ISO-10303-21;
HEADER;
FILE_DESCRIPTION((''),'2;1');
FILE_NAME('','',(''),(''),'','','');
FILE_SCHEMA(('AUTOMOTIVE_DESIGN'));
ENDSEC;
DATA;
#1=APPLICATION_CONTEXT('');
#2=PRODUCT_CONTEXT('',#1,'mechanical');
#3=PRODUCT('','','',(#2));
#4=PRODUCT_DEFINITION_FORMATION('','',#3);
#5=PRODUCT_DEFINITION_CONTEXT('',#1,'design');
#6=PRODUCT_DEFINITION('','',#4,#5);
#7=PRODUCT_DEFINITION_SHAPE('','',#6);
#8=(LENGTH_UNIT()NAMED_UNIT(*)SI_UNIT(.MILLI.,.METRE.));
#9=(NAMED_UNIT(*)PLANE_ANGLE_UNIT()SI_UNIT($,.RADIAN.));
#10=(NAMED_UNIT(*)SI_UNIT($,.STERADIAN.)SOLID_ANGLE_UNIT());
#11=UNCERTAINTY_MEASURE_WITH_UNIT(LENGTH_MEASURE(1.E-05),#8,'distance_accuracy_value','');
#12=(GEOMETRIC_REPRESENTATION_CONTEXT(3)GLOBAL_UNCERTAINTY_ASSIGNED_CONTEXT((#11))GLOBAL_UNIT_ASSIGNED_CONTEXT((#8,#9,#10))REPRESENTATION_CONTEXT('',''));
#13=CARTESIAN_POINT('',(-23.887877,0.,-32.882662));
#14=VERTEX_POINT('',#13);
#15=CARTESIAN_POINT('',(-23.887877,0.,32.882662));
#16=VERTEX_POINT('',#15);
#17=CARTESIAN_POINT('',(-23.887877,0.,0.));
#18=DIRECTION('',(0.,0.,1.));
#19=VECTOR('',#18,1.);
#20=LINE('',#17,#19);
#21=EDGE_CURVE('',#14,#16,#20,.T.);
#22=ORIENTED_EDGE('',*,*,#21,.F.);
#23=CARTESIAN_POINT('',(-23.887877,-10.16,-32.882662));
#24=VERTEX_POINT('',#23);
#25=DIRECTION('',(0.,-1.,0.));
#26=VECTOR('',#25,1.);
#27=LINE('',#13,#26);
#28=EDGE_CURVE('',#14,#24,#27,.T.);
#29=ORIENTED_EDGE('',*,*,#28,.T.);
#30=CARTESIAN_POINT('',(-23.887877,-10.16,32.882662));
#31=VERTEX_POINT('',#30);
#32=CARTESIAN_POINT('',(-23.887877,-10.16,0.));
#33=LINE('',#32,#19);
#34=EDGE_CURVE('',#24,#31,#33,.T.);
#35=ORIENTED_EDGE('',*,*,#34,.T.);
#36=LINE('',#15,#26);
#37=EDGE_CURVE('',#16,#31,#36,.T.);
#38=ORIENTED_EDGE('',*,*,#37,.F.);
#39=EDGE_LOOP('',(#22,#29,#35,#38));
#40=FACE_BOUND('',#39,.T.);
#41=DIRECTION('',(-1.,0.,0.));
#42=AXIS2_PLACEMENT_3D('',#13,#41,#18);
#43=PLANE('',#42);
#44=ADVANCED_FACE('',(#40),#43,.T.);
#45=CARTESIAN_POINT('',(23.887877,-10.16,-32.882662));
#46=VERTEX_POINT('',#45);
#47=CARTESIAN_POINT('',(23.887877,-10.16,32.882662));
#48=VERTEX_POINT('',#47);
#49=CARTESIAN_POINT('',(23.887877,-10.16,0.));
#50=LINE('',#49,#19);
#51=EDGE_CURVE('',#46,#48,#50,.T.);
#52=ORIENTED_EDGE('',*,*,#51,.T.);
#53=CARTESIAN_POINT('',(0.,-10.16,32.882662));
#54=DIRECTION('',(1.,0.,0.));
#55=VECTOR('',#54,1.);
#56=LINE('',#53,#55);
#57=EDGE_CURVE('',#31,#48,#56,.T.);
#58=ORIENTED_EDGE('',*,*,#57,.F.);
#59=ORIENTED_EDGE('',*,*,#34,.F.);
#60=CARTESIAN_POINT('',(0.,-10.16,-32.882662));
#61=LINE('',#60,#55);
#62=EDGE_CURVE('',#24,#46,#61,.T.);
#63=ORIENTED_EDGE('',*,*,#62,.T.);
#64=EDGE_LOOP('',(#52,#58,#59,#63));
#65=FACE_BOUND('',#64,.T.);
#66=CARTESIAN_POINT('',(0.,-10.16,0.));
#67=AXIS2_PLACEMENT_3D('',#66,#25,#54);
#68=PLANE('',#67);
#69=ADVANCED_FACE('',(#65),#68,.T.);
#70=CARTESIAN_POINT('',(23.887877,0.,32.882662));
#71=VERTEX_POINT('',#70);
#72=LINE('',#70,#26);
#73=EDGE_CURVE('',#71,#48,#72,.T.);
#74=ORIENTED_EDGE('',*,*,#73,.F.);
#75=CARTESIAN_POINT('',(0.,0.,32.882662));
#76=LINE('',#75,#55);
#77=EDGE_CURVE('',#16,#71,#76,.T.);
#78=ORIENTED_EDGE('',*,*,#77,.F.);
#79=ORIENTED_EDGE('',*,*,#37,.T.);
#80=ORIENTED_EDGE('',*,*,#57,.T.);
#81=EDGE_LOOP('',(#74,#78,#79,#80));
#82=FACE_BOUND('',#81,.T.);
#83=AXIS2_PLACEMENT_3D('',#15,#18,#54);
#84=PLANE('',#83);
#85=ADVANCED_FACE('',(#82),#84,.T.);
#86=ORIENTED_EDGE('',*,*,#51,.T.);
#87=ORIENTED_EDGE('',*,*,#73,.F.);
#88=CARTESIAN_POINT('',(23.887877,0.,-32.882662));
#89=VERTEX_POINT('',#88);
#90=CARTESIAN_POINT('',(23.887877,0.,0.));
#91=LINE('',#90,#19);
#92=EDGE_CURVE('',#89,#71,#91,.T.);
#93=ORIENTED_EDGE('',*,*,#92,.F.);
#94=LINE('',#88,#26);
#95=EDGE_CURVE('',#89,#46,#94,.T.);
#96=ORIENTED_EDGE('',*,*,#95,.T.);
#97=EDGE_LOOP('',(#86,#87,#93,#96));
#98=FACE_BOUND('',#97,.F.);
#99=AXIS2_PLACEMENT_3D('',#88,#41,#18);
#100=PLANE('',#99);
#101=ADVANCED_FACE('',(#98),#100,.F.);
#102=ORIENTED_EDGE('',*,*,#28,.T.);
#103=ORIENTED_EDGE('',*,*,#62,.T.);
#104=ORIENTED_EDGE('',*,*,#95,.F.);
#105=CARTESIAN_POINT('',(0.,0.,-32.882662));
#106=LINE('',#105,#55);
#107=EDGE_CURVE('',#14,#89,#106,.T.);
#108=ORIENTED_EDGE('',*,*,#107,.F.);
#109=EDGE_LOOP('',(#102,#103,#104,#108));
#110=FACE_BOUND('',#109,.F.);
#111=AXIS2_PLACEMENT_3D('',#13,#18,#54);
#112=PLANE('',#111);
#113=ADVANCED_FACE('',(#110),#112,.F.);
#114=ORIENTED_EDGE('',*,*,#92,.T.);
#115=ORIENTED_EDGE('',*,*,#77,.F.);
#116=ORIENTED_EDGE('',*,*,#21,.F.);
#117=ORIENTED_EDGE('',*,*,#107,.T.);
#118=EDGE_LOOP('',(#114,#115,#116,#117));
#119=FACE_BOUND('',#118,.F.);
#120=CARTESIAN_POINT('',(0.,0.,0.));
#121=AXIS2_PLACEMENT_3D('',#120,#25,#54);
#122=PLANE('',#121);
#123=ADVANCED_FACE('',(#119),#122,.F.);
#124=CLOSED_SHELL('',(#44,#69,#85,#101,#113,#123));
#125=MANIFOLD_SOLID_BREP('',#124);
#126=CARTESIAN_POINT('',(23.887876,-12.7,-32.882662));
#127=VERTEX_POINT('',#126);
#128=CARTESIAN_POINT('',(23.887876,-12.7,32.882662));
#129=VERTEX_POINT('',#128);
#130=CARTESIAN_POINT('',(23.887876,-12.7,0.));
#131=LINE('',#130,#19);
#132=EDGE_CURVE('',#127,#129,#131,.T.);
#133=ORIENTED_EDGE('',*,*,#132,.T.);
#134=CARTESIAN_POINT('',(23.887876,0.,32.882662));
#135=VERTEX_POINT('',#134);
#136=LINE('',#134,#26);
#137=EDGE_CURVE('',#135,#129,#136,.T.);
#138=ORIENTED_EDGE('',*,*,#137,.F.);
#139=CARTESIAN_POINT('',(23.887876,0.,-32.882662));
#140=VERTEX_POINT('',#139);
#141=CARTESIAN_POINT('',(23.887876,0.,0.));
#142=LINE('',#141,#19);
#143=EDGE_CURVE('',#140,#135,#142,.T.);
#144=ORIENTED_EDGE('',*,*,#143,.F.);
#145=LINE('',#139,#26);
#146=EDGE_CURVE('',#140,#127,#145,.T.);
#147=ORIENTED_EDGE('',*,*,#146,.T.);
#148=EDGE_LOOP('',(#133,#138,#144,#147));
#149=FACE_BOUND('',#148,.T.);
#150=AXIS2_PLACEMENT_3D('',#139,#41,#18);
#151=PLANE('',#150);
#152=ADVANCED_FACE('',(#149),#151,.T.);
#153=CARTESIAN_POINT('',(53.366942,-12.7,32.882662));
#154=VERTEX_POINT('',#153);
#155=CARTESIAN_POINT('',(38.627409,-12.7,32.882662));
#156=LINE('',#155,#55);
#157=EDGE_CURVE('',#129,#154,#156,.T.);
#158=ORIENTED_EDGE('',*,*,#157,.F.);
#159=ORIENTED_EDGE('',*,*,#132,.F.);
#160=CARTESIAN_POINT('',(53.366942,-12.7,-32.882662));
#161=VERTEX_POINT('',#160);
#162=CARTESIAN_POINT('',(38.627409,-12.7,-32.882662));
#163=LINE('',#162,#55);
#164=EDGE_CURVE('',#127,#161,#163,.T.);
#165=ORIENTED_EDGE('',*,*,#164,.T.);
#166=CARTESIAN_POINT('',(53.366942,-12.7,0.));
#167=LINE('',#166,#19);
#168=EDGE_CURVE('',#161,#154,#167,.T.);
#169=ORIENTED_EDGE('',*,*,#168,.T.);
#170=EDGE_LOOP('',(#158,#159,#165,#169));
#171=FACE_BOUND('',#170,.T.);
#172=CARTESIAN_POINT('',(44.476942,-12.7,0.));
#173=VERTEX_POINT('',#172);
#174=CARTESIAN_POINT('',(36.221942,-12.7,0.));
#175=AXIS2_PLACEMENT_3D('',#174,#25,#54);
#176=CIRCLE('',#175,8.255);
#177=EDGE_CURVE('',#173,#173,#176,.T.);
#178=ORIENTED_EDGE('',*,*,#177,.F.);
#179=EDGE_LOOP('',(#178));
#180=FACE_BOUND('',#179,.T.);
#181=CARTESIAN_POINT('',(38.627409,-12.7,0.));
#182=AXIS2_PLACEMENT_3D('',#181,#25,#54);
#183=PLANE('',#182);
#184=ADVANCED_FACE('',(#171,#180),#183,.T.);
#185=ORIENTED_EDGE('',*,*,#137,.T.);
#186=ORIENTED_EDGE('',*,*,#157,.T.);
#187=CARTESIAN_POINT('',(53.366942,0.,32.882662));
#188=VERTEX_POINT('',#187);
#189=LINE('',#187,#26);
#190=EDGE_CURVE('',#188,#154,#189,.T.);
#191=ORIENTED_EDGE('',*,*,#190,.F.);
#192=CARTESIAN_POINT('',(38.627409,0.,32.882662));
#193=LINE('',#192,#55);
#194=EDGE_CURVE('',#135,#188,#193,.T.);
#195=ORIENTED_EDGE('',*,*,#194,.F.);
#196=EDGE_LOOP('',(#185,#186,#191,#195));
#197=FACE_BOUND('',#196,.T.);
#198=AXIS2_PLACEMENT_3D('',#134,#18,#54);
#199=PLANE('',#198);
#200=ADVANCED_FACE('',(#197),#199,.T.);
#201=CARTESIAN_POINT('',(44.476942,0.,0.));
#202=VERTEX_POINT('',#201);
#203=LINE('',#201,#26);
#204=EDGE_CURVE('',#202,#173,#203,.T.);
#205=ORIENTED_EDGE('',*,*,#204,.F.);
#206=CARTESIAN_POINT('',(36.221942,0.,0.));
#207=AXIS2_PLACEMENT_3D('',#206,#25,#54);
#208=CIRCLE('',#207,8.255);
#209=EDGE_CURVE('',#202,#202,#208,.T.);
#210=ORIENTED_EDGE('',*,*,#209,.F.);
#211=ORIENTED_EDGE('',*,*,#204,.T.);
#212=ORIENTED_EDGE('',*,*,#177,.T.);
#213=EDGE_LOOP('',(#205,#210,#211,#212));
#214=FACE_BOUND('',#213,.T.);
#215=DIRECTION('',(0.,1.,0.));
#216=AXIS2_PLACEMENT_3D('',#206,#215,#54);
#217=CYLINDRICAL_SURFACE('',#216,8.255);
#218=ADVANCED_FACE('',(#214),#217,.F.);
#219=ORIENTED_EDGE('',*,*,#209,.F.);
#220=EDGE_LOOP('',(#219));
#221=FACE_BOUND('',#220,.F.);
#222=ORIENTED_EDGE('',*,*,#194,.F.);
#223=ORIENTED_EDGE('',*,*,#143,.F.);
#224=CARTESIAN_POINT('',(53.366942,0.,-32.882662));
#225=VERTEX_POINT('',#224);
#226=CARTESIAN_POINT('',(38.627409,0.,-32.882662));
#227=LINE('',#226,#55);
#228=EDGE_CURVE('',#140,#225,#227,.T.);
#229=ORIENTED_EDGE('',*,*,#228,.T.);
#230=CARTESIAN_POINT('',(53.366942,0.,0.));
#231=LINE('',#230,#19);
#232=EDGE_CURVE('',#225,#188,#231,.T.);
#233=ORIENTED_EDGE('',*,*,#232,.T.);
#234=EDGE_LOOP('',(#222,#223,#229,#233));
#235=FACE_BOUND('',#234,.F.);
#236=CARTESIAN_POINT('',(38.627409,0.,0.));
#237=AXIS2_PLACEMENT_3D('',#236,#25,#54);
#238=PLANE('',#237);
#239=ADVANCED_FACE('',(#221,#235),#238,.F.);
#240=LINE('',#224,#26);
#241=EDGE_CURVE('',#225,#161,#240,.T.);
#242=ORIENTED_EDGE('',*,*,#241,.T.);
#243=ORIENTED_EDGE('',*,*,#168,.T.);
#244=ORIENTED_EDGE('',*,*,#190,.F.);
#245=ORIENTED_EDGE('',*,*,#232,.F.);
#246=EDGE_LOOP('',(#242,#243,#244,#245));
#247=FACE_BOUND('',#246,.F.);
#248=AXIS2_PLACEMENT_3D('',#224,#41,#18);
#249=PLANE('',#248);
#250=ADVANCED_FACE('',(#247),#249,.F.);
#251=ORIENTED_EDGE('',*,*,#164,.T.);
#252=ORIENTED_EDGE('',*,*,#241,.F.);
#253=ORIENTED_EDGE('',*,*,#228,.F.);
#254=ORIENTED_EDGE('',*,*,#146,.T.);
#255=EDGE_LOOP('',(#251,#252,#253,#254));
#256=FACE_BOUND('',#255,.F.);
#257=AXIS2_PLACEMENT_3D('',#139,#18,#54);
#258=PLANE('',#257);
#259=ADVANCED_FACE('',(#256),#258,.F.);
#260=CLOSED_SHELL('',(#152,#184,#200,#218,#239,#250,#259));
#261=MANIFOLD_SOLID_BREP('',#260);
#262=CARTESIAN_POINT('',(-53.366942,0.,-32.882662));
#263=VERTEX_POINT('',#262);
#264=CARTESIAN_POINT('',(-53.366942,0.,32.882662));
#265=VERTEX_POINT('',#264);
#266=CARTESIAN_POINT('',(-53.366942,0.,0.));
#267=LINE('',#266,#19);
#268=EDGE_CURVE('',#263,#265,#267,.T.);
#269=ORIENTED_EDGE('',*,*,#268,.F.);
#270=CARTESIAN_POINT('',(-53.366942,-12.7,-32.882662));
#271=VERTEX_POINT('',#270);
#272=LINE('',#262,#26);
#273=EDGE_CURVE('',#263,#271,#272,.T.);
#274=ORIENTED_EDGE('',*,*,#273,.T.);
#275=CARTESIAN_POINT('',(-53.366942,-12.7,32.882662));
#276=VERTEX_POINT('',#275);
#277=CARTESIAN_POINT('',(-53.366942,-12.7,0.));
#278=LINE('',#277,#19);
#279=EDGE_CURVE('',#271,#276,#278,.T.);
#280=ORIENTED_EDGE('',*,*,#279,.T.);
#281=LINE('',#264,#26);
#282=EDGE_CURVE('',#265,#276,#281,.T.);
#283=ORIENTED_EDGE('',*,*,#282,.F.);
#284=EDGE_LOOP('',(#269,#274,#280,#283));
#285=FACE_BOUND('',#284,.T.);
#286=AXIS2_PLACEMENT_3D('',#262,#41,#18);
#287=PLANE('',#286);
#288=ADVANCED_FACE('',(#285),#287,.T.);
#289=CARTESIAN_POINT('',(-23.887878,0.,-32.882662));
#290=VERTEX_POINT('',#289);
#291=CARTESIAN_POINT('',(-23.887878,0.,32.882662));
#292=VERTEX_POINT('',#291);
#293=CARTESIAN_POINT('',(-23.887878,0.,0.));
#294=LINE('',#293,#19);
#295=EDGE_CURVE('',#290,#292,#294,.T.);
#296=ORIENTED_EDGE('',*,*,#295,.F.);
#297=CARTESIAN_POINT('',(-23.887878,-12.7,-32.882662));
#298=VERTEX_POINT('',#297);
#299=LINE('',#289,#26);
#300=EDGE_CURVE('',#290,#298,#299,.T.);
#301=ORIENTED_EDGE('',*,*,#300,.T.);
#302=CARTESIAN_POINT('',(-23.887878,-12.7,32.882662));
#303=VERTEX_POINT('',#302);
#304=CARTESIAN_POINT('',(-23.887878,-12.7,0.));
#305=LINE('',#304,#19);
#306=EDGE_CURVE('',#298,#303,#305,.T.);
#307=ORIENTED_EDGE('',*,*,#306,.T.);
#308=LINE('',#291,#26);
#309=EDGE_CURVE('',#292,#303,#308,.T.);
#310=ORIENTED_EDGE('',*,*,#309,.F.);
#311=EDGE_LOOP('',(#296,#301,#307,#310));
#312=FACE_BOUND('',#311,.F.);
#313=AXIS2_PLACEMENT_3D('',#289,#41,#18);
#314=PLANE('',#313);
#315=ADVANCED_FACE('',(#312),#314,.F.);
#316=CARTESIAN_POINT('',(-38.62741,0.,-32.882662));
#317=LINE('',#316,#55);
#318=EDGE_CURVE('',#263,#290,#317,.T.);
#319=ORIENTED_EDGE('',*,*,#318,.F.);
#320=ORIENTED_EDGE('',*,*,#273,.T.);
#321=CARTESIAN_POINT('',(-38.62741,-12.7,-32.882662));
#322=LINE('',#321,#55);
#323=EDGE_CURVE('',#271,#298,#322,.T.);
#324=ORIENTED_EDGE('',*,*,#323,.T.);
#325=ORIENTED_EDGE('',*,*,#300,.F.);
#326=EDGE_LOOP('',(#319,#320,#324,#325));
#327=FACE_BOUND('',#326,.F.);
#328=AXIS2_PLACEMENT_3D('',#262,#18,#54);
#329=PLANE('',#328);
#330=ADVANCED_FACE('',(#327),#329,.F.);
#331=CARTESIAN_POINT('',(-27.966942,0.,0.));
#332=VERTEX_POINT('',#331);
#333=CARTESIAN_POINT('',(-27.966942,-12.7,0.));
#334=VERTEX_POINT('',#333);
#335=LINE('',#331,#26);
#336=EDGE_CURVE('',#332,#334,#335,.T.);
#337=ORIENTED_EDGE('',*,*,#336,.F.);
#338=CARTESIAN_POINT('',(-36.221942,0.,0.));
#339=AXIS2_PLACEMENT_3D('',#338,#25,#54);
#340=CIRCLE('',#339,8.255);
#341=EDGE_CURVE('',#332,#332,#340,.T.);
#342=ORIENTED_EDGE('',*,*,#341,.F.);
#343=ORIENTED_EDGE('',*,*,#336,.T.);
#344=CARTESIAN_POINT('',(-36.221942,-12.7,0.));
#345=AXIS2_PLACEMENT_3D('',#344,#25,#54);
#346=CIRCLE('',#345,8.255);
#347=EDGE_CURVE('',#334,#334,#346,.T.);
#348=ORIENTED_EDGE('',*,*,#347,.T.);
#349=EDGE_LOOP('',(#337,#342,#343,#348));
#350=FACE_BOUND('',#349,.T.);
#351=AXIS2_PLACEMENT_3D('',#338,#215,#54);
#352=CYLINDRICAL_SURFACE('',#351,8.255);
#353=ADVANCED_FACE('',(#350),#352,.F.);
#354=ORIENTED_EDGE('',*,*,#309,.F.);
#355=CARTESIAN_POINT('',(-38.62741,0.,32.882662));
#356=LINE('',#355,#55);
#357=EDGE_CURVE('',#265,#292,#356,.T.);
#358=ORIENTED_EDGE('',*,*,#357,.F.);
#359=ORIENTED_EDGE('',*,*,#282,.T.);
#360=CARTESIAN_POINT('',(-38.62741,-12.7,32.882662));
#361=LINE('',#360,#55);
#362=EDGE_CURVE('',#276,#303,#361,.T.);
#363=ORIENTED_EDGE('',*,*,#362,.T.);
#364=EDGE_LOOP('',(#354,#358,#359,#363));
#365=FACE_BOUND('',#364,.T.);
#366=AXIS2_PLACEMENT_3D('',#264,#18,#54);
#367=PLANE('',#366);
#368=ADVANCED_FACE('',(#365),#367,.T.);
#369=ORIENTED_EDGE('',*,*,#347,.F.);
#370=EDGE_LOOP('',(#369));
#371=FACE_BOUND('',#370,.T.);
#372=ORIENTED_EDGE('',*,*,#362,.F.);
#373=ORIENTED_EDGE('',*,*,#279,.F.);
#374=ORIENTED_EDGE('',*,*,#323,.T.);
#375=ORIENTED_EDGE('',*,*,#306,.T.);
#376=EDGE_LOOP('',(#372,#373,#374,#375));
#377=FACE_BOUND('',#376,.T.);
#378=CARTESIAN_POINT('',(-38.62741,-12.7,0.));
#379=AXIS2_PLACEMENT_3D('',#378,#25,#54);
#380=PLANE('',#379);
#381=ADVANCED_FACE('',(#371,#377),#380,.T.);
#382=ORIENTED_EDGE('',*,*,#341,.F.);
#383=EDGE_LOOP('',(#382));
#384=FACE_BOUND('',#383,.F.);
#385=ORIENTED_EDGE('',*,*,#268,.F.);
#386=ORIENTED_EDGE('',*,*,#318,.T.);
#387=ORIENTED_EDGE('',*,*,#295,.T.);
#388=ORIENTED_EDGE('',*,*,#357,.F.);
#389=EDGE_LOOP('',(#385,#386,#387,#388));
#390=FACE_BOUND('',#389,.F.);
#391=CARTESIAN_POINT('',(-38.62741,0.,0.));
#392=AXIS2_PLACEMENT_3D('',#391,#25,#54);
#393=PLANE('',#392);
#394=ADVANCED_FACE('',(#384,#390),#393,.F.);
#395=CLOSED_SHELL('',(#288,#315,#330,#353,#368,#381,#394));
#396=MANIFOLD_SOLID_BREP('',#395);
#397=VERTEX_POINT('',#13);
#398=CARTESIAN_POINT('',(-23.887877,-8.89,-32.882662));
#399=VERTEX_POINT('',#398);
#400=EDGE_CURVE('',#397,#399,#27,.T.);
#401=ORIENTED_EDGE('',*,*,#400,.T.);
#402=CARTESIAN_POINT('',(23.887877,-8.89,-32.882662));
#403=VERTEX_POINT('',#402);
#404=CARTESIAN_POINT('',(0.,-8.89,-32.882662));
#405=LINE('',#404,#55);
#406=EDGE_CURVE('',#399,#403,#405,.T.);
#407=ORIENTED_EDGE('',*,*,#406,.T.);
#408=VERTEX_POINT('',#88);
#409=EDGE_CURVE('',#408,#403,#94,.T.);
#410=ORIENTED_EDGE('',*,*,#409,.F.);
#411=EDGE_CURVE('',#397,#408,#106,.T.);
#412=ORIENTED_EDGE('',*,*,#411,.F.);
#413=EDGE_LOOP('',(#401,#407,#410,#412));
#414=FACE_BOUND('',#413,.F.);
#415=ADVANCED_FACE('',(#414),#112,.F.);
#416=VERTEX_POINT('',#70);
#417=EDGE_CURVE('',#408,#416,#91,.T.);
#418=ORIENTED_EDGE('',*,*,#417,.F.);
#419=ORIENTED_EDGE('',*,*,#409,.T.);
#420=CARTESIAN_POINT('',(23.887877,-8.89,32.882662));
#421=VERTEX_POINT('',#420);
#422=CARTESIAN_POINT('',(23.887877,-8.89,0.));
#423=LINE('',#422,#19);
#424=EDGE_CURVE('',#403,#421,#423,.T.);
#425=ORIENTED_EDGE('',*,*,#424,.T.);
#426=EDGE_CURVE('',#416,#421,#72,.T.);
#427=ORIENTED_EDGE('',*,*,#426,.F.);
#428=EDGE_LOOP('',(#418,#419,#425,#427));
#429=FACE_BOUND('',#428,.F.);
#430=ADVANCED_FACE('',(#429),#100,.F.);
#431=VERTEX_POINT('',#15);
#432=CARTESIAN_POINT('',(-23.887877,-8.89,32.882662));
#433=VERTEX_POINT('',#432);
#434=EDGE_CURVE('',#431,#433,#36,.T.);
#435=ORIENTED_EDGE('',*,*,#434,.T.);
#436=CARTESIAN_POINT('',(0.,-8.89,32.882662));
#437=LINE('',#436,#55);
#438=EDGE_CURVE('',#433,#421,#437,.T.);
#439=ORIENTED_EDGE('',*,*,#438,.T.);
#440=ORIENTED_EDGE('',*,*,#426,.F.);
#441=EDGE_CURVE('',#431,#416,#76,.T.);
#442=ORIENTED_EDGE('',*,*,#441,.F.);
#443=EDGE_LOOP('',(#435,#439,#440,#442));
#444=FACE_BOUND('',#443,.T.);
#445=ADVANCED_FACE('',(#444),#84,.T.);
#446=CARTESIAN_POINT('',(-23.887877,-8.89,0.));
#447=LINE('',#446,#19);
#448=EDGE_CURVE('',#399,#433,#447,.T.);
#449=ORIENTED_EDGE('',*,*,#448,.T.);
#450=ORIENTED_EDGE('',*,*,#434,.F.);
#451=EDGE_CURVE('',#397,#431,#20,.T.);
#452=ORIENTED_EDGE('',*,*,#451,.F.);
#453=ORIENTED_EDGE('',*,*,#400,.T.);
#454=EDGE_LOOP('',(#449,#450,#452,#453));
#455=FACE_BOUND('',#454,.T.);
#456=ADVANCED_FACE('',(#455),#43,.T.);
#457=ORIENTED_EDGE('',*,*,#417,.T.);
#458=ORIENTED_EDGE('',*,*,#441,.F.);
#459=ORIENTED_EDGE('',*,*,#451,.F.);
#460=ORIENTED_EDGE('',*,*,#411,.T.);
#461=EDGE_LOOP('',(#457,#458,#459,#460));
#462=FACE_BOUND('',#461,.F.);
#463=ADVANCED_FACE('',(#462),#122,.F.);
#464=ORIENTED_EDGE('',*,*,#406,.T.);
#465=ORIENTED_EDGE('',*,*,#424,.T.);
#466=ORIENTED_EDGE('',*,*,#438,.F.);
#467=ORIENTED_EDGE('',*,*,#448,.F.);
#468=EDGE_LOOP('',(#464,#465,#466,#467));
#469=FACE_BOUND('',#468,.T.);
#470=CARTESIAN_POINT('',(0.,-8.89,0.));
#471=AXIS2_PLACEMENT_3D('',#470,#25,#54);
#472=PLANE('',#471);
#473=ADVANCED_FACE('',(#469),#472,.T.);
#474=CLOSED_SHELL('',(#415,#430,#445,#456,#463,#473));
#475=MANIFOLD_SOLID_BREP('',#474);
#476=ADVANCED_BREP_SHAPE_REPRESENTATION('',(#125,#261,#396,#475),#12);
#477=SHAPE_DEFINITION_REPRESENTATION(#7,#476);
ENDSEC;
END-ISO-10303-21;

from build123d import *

# Parameters (mm, degrees)
F0_W     = 47.775754
F0_H     = 65.765324
F1_DEPTH = 10.16
F2_DEPTH = 8.89
F0_W_2   = 29.479064
F0_R     = 8.255
F0_W_3   = 29.479066
F3_DEPTH = 12.7


with BuildPart() as f1:
    # F0 (on Front) → F1 (new body)
    with BuildSketch(Plane.XZ):
        with Locations((-1e-06, 0)):
            Rectangle(F0_W, F0_H)
    extrude(amount=F1_DEPTH)


with BuildPart() as f2:
    # F0 (on Front) → F2 (new body)
    with BuildSketch(Plane.XZ):
        with Locations((-1e-06, 0)):
            Rectangle(F0_W, F0_H)
    extrude(amount=F2_DEPTH)


with BuildPart() as f3:
    # F0 (on Front) → F3 (new body)
    with BuildSketch(Plane.XZ):
        with Locations((-38.62741, 0)):
            Rectangle(F0_W_2, F0_H)
        with Locations((-36.221942, 0)):
            Circle(F0_R, mode=Mode.SUBTRACT)
        with Locations((38.627409, 0)):
            Rectangle(F0_W_3, F0_H)
        with Locations((36.221942, 0)):
            Circle(F0_R, mode=Mode.SUBTRACT)
    extrude(amount=F3_DEPTH)


solid = Compound([f1.part, f2.part, f3.part])
